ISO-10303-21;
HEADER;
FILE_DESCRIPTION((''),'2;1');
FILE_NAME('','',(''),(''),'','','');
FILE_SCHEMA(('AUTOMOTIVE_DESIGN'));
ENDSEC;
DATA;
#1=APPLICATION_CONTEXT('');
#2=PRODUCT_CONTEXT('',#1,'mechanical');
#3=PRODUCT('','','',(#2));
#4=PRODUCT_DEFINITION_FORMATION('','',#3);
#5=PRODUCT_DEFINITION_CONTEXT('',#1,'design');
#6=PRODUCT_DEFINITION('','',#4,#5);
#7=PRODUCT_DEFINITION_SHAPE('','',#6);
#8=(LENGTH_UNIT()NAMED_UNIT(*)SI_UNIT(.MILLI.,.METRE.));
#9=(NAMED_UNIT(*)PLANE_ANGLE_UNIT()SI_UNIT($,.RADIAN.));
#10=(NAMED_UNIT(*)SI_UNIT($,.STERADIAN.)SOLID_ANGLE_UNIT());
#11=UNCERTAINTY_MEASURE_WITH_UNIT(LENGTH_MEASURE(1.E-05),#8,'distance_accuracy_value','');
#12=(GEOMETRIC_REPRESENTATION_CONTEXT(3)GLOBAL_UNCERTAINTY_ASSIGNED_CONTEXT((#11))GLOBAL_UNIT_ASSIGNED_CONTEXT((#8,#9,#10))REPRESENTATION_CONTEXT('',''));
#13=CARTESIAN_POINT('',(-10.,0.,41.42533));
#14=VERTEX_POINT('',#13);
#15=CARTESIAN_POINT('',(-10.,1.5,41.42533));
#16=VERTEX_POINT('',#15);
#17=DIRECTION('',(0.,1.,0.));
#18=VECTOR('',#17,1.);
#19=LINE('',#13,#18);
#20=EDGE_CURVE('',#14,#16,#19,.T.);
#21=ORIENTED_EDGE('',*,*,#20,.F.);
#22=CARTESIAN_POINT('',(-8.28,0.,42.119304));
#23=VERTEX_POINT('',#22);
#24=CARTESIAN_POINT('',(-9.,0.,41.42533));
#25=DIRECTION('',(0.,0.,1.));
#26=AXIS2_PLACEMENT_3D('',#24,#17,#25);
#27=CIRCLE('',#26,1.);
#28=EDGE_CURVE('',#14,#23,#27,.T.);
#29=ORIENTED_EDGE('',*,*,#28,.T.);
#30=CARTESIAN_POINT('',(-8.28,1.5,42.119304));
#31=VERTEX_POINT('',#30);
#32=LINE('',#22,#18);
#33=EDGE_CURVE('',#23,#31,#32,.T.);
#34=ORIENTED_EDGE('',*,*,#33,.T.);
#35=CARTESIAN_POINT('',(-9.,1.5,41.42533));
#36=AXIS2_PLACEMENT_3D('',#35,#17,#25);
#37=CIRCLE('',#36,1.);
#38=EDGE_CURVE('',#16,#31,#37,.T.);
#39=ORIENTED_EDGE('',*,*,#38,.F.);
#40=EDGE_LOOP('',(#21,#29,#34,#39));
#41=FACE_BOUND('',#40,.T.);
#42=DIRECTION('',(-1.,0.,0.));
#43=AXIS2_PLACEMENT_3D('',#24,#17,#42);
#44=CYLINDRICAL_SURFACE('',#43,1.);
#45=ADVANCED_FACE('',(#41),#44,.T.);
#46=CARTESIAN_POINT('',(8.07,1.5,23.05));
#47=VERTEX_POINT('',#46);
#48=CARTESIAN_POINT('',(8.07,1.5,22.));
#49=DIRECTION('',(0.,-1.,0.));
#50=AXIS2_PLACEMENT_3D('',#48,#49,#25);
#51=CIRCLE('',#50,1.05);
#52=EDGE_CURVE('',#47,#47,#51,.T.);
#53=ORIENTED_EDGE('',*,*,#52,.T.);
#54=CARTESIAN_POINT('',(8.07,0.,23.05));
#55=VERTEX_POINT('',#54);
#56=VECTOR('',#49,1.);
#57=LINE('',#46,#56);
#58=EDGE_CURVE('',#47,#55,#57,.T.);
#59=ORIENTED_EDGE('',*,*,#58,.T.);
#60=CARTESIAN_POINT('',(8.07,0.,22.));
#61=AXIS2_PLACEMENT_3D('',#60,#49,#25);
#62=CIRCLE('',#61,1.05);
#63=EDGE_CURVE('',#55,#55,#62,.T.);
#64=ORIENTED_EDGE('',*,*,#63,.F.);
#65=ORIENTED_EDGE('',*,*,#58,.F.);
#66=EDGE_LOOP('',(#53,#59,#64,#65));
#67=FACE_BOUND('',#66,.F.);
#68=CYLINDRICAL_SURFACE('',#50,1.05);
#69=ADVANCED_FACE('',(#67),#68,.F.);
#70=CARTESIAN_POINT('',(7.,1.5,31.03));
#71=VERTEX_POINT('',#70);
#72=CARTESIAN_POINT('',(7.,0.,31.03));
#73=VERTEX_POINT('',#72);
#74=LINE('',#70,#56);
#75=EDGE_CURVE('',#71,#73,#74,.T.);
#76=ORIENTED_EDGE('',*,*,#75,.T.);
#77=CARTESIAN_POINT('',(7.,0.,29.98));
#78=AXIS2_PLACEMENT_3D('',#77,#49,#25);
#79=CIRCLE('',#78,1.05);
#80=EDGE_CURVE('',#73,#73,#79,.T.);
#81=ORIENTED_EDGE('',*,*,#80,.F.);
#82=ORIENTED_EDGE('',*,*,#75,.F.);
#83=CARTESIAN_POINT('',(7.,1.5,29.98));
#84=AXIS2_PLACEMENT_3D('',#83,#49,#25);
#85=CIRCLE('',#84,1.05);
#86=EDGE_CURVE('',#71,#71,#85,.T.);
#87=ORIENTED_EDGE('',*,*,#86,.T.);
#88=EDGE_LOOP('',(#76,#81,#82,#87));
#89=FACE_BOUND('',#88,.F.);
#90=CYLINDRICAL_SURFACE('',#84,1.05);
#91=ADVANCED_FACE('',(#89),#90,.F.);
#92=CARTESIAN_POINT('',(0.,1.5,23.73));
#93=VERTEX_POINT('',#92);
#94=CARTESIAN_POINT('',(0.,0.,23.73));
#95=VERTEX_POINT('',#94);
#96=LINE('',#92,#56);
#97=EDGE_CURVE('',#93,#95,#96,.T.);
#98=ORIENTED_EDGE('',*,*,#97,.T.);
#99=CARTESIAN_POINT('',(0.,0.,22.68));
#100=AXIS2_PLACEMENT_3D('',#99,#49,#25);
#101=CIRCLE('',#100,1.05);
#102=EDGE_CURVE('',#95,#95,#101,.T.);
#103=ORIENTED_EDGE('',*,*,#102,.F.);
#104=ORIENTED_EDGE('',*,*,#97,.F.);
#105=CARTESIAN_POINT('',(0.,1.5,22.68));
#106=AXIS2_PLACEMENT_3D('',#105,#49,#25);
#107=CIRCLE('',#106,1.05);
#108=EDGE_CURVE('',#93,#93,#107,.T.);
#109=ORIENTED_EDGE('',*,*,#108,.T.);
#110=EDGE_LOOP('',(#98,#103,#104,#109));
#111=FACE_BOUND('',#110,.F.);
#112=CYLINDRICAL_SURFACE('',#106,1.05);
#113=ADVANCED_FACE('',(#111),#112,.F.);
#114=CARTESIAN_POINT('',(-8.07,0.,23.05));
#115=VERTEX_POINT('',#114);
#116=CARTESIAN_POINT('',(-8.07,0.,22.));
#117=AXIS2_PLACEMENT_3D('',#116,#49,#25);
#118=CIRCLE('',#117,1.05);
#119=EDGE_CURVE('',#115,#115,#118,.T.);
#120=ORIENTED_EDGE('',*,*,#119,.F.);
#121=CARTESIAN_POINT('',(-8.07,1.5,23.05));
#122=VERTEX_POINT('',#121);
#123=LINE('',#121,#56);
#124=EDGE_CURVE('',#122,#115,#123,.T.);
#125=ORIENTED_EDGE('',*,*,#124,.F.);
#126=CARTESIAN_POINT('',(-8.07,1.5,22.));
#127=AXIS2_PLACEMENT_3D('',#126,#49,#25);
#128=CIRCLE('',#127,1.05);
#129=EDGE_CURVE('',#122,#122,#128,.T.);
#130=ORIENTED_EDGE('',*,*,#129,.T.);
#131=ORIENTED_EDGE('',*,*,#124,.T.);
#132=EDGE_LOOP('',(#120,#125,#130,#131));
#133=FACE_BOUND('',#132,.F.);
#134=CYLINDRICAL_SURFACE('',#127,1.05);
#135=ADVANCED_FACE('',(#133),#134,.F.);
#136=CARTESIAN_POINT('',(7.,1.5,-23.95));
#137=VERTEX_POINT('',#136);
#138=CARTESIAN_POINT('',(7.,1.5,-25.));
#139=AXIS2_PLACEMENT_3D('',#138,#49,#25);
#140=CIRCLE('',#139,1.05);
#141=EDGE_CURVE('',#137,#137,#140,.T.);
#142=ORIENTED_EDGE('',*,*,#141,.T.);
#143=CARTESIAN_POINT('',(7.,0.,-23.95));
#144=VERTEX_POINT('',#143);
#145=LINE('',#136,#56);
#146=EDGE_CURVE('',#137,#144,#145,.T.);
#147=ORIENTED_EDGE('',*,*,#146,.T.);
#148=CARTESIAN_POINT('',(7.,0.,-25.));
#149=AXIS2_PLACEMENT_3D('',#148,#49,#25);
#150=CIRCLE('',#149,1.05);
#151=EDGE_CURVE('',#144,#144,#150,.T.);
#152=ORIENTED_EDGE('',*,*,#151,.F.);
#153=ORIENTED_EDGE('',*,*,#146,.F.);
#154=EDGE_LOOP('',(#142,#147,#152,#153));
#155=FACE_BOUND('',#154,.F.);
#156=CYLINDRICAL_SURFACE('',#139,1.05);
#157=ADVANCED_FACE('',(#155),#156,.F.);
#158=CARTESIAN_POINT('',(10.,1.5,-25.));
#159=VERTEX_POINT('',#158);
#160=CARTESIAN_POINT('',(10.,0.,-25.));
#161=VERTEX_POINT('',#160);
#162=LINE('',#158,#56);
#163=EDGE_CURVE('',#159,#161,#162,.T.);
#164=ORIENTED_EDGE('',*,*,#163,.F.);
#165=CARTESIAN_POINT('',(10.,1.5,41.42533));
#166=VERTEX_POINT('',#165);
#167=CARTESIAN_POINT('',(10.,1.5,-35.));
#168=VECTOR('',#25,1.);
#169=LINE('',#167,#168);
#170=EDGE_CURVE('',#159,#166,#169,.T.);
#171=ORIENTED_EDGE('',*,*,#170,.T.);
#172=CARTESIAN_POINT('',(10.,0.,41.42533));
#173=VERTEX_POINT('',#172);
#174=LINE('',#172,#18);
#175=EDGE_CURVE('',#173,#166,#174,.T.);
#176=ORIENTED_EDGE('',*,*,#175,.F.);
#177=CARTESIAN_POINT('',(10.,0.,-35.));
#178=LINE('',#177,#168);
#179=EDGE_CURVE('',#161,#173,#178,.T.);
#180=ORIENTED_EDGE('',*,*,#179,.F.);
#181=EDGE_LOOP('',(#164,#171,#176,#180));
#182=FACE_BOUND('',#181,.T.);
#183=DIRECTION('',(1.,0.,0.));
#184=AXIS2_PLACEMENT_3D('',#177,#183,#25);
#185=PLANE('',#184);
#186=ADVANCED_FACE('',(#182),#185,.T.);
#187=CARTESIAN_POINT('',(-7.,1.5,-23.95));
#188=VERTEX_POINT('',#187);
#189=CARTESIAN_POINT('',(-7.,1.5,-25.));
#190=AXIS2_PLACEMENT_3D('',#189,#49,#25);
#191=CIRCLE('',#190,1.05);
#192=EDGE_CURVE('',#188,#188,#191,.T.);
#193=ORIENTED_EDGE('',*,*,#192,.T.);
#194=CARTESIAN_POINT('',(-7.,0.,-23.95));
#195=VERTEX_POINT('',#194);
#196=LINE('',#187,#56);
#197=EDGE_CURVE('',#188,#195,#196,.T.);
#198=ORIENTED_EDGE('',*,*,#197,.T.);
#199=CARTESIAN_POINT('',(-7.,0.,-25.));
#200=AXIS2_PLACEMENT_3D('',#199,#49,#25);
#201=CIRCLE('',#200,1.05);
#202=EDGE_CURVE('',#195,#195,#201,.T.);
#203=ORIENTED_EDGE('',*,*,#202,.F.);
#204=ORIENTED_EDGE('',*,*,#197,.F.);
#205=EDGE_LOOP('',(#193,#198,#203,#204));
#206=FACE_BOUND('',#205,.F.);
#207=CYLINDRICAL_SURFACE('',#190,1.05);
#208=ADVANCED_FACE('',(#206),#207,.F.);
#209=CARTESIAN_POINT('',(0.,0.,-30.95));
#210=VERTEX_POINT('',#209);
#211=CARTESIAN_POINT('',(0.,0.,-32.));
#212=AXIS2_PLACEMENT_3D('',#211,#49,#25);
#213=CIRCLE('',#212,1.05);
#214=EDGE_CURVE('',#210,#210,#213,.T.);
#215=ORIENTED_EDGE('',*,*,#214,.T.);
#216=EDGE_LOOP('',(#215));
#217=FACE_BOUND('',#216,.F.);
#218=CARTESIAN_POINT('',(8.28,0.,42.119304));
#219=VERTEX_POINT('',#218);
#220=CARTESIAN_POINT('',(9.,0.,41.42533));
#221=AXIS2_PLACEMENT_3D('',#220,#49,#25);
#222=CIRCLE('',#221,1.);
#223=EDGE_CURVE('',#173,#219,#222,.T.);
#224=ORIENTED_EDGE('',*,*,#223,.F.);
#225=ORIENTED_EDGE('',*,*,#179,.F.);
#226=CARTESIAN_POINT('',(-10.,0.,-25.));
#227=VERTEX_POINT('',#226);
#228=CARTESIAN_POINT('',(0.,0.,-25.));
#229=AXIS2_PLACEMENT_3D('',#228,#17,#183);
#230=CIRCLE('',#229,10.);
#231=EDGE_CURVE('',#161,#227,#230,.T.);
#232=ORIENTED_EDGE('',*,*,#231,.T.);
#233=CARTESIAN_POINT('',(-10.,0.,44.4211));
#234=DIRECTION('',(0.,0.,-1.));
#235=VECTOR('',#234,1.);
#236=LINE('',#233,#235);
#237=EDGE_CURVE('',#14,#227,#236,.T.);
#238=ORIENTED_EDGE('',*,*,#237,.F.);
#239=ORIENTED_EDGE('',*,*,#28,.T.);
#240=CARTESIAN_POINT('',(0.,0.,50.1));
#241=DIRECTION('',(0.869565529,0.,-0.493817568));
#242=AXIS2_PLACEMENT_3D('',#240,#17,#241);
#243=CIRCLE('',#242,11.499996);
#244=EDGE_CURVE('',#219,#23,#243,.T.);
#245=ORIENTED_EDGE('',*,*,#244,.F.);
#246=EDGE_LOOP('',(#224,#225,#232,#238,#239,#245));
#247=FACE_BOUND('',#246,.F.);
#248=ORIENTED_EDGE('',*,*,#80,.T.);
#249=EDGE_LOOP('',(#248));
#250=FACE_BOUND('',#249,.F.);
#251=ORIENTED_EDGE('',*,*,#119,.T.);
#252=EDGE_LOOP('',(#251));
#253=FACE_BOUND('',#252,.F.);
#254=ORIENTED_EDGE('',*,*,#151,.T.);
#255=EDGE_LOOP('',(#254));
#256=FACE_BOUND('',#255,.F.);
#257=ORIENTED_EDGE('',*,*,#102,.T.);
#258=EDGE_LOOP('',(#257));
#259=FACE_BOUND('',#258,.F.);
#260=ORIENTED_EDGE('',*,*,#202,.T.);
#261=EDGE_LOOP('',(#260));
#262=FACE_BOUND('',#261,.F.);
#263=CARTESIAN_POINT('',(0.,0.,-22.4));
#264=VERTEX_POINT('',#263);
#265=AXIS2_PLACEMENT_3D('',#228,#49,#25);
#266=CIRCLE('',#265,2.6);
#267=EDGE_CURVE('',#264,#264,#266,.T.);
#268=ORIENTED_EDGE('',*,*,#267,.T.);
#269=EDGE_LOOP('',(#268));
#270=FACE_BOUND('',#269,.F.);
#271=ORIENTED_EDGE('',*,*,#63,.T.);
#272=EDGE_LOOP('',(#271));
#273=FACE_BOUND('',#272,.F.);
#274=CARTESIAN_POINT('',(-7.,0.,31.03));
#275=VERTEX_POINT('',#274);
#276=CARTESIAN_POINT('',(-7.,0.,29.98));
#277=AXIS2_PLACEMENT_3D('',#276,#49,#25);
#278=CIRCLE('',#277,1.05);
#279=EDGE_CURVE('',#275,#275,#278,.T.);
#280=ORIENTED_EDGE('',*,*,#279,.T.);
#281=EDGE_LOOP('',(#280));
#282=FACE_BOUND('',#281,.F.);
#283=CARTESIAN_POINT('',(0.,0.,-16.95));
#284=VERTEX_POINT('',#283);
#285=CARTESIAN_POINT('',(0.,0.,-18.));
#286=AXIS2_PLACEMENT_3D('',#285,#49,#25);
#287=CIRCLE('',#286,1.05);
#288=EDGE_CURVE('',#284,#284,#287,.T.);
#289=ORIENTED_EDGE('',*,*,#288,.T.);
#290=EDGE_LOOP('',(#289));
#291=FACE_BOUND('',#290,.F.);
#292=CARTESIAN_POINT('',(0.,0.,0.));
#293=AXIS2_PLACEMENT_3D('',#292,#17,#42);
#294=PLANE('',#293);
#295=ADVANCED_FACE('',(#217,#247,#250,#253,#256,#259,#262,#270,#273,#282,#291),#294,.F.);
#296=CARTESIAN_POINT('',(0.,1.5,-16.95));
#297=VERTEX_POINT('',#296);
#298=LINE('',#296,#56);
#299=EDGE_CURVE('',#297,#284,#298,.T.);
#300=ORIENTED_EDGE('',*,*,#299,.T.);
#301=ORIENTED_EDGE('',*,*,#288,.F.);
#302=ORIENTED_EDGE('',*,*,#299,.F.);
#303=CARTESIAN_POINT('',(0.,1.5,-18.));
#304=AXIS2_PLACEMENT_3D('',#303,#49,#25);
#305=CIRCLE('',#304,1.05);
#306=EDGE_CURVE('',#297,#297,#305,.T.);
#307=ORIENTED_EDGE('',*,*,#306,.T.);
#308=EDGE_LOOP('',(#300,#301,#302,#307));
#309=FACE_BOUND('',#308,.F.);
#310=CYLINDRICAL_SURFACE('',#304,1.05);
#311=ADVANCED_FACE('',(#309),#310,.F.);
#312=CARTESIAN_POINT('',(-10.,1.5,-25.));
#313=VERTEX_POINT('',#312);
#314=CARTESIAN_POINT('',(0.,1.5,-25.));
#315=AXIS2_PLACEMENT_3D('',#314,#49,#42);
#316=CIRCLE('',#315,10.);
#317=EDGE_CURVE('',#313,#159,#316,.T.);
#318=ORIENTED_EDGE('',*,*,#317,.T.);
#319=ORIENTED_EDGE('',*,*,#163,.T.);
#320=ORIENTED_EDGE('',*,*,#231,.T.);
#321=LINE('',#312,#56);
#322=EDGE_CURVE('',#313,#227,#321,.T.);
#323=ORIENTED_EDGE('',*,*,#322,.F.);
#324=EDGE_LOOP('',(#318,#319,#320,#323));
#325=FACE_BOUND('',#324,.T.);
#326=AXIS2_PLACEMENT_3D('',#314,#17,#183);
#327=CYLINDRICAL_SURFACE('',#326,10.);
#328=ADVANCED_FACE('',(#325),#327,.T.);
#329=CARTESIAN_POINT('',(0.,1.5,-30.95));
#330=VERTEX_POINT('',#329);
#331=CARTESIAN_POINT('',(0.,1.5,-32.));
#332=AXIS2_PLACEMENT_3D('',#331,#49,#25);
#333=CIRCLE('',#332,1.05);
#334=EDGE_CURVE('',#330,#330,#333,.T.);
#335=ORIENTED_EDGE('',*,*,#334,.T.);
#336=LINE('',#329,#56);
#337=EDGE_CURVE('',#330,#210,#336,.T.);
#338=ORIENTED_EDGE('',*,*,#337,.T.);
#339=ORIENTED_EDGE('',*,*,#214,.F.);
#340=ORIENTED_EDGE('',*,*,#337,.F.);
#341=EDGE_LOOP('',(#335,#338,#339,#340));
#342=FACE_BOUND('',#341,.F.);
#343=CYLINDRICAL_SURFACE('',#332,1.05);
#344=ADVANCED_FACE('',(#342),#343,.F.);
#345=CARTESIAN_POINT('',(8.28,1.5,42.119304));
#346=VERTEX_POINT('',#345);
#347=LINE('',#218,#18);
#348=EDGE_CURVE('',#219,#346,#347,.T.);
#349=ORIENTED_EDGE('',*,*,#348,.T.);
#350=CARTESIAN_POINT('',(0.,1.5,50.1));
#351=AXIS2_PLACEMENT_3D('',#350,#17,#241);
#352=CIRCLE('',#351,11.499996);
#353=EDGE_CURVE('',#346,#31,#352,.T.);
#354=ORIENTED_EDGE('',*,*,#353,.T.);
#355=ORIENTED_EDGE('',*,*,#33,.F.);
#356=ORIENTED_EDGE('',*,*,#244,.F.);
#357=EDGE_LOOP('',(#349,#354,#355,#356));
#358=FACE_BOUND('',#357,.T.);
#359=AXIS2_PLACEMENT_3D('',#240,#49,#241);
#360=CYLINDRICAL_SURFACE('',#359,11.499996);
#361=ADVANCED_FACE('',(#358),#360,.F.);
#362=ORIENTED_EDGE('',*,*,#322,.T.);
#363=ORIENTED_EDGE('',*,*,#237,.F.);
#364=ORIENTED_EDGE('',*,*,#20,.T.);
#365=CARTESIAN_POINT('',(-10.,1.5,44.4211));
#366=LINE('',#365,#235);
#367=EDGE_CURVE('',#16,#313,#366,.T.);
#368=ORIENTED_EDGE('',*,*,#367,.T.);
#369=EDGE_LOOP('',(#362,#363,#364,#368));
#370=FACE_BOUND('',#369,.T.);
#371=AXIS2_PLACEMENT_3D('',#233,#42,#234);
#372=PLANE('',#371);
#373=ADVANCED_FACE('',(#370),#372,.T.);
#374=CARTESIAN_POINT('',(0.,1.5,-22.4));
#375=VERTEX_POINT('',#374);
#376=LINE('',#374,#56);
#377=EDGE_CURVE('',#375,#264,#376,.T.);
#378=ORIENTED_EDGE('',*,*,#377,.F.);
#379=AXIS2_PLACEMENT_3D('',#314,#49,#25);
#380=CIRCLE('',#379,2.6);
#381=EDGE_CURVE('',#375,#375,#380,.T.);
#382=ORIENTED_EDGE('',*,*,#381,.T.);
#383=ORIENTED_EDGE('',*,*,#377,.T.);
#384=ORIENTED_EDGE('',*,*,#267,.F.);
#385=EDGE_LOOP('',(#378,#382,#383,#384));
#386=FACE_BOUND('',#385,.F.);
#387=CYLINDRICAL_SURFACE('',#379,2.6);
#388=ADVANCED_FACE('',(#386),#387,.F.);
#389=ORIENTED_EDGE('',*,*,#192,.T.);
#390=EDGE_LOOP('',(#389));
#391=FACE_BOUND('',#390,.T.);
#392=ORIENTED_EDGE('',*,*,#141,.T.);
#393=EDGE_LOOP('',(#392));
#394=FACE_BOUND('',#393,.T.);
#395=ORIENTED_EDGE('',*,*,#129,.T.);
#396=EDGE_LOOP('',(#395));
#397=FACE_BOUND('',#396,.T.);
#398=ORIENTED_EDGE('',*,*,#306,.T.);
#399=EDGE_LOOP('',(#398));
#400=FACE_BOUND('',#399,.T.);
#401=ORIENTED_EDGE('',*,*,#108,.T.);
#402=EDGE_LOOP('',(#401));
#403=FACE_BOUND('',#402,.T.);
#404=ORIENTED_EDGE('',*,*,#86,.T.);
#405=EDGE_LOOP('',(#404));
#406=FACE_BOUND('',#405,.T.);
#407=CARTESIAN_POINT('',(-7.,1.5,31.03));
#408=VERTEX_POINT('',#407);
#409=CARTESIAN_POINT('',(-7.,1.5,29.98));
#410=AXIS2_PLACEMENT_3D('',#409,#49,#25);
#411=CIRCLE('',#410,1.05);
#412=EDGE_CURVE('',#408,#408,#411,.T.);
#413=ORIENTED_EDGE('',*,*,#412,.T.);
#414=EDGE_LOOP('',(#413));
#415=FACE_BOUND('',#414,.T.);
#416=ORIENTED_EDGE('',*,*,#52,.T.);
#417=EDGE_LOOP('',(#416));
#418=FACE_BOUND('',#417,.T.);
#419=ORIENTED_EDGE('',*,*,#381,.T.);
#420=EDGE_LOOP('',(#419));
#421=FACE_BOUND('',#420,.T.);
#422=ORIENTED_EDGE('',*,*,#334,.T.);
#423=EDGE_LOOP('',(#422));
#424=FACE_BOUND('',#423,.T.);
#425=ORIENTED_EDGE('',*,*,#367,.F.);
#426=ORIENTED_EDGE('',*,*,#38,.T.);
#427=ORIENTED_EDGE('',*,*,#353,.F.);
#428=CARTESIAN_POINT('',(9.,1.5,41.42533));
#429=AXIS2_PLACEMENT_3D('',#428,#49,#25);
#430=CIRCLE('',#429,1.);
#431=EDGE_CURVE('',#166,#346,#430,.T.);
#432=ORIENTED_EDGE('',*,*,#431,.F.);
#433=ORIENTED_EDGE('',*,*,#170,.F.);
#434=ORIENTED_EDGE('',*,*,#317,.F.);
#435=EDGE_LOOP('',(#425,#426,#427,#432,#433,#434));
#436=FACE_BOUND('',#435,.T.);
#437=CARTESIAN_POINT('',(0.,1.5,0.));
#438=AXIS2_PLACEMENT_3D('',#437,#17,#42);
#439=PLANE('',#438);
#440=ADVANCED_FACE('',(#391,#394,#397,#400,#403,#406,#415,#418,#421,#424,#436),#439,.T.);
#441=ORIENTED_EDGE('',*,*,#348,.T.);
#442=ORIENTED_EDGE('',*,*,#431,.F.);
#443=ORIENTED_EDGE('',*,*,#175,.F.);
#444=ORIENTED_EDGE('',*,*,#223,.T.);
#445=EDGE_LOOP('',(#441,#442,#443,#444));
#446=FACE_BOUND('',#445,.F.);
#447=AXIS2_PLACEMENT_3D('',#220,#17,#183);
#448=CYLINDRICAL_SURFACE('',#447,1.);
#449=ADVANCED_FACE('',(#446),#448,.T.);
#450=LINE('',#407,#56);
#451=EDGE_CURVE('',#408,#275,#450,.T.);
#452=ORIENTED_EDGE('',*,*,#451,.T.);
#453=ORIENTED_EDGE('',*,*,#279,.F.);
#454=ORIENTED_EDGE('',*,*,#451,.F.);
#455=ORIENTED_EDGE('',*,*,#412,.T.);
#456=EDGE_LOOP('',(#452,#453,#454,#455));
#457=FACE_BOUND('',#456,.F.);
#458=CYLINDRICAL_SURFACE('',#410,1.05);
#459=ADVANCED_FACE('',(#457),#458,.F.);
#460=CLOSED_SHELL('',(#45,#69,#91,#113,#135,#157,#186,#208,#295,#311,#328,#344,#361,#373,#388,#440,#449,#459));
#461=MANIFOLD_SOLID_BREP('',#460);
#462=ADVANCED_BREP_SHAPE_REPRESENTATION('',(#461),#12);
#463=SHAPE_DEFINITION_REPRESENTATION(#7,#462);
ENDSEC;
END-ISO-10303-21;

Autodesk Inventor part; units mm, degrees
ref_plane "YZ Plane" through (0, 0, 0) normal (1, 0, 0) x (0, 1, 0)
ref_plane "XZ Plane" through (0, 0, 0) normal (0, 1, 0) x (-1, 0, 0)
ref_plane "XY Plane" through (0, 0, 0) normal (0, 0, 1) x (1, 0, 0)
sketch "Sketch1" plane through (0, 0, 0) normal (0, 1, 0) x (-1, 0, 0)
  line L0 (10, -35) -> (-10, -35)
  line L1 (-10, -35) -> (-10, 44.4211)
  line L2 (10, 44.4211) -> (10, -35)
  arc A0 (-10, 44.4211) -> (10, 44.4211) centre (0, 50.1) ccw
  point P0 (0, 0)
  dimension "d2" = 35
  dimension "d3" = 10
  dimension "d36" = 23
  dimension "d37" = 85.1
  dimension "d39" = 79.4211
  dimension "d40" = 20
extrude "Plate1" add sketch "Sketch1" along normal blind 1.5
sketch "Sketch3" plane through (0, 1.5, 0) normal (0, 1, 0) x (1, 0, 0)
  circle A0 centre (0, 25) radius 10
  circle A1 centre (0, -25) radius 10
  line L0 (-10, 35) -> (10, 35) projected
  line L1 (10, -44) -> (-10, -44) projected
  line L2 (-10, 35) -> (10, 35)
  line L3 (10, 35) -> (10, 25)
  line L4 (10, 25) -> (-10, 25)
  line L5 (-10, 25) -> (-10, 35)
  line L6 (10, -35) -> (-10, -35)
  line L7 (-10, -35) -> (-10, -25)
  line L8 (-10, -25) -> (10, -25)
  line L9 (10, -25) -> (10, -44)
  point P0 (0, 0)
  point P1 (-10, -44.4211)
  point P2 (10, -25)
  point P3 (0, -35)
  point P4 (-10, -35)
  point P5 (0, 35)
  point P6 (10, 35)
  dimension "d12" = 20
  dimension "d13" = 20
  dimension "d14" = 10
  dimension "d15" = 10
  dimension "d16" = 25
  dimension "d17" = 25
  dimension "d18" = 10
extrude "Extrusion1" cut sketch "Sketch3" against normal blind 10 contours L5 L0 A0 | A0 L0 L3
sketch "Sketch4" plane through (0, 1.5, 0) normal (0, 1, 0) x (1, 0, 0)
  circle A0 centre (-7, 25) radius 0.8
  arc A1 (10, 25) -> (-10, 25) centre (0, 25) ccw projected
  circle A2 centre (0, 18) radius 0.8
  circle A3 centre (7, 25) radius 0.8
  circle A4 centre (0, 32) radius 0.8
  point P0 (0, 0)
  dimension "d21" = 0
  dimension "d22" = 7
  dimension "d23" = 1.6
  dimension "d26" = 360
hole "Hole2" at (0, 1.5, -32) at (7, 1.5, -25) at (0, 1.5, -18) at (-7, 1.5, -25) direction (0, -1, 0) diameter 2.1 depth 1.5
sketch "Sketch5" plane through (0, 1.5, 0) normal (0, 1, 0) x (1, 0, 0)
  arc A0 (10, 25) -> (-10, 25) centre (0, 25) ccw projected
  point P0 (0, 0)
hole "Hole3" at (0, 1.5, -25) direction (0, -1, 0) diameter 5.2 depth 1.5 clearance for "Hex Head Bolt" size "M5" standard "Ansi Metric M Profile"
fillet "Fillet1" radius 1 2 edges at (10, 0.75, 44.4211) (-10, 0.75, 44.4211)
sketch "Sketch7" plane through (0, 1.5, 0) normal (0, 1, 0) x (1, 0, 0)
  circle A0 centre (7, -29.98) radius 1.05
  circle A1 centre (8.07, -22) radius 1.05
  circle A2 centre (-7, -29.98) radius 1.05
  circle A3 centre (0, -22.68) radius 1.05
  circle A4 centre (-8.07, -22) radius 1.05
  point P0 (0, 0)
hole "Hole5" at (-8.07, 1.5, 22) at (0, 1.5, 22.68) at (8.07, 1.5, 22) at (7, 1.5, 29.98) at (-7, 1.5, 29.98) direction (0, -1, 0) diameter 2.1 end through all
equation "\"d33\" = Thickness"
equation "\"d46\" = Thickness"
equation "\"d61\" = Thickness"
equation "\"d4\" = Thickness"
equation "\"BendReliefWidth\" = Thickness"
equation "\"BendReliefDepth\" = 0.5 * Thickness"
equation "\"CornerReliefSize\" = 4 * Thickness"
equation "\"MinimumRemnant\" = 2 * Thickness"
equation "\"TransitionRadius\" = BendRadius"
equation "\"JacobiRadiusSize\" = BendRadius"
equation "\"GapSize\" = Thickness"
equation "\"Thickness\" = 1.5"
equation "\"BendRadius\" = 0.31"
properties part number "axis_8_10_connector_frame" material "Aluminum 6061-AHC"
